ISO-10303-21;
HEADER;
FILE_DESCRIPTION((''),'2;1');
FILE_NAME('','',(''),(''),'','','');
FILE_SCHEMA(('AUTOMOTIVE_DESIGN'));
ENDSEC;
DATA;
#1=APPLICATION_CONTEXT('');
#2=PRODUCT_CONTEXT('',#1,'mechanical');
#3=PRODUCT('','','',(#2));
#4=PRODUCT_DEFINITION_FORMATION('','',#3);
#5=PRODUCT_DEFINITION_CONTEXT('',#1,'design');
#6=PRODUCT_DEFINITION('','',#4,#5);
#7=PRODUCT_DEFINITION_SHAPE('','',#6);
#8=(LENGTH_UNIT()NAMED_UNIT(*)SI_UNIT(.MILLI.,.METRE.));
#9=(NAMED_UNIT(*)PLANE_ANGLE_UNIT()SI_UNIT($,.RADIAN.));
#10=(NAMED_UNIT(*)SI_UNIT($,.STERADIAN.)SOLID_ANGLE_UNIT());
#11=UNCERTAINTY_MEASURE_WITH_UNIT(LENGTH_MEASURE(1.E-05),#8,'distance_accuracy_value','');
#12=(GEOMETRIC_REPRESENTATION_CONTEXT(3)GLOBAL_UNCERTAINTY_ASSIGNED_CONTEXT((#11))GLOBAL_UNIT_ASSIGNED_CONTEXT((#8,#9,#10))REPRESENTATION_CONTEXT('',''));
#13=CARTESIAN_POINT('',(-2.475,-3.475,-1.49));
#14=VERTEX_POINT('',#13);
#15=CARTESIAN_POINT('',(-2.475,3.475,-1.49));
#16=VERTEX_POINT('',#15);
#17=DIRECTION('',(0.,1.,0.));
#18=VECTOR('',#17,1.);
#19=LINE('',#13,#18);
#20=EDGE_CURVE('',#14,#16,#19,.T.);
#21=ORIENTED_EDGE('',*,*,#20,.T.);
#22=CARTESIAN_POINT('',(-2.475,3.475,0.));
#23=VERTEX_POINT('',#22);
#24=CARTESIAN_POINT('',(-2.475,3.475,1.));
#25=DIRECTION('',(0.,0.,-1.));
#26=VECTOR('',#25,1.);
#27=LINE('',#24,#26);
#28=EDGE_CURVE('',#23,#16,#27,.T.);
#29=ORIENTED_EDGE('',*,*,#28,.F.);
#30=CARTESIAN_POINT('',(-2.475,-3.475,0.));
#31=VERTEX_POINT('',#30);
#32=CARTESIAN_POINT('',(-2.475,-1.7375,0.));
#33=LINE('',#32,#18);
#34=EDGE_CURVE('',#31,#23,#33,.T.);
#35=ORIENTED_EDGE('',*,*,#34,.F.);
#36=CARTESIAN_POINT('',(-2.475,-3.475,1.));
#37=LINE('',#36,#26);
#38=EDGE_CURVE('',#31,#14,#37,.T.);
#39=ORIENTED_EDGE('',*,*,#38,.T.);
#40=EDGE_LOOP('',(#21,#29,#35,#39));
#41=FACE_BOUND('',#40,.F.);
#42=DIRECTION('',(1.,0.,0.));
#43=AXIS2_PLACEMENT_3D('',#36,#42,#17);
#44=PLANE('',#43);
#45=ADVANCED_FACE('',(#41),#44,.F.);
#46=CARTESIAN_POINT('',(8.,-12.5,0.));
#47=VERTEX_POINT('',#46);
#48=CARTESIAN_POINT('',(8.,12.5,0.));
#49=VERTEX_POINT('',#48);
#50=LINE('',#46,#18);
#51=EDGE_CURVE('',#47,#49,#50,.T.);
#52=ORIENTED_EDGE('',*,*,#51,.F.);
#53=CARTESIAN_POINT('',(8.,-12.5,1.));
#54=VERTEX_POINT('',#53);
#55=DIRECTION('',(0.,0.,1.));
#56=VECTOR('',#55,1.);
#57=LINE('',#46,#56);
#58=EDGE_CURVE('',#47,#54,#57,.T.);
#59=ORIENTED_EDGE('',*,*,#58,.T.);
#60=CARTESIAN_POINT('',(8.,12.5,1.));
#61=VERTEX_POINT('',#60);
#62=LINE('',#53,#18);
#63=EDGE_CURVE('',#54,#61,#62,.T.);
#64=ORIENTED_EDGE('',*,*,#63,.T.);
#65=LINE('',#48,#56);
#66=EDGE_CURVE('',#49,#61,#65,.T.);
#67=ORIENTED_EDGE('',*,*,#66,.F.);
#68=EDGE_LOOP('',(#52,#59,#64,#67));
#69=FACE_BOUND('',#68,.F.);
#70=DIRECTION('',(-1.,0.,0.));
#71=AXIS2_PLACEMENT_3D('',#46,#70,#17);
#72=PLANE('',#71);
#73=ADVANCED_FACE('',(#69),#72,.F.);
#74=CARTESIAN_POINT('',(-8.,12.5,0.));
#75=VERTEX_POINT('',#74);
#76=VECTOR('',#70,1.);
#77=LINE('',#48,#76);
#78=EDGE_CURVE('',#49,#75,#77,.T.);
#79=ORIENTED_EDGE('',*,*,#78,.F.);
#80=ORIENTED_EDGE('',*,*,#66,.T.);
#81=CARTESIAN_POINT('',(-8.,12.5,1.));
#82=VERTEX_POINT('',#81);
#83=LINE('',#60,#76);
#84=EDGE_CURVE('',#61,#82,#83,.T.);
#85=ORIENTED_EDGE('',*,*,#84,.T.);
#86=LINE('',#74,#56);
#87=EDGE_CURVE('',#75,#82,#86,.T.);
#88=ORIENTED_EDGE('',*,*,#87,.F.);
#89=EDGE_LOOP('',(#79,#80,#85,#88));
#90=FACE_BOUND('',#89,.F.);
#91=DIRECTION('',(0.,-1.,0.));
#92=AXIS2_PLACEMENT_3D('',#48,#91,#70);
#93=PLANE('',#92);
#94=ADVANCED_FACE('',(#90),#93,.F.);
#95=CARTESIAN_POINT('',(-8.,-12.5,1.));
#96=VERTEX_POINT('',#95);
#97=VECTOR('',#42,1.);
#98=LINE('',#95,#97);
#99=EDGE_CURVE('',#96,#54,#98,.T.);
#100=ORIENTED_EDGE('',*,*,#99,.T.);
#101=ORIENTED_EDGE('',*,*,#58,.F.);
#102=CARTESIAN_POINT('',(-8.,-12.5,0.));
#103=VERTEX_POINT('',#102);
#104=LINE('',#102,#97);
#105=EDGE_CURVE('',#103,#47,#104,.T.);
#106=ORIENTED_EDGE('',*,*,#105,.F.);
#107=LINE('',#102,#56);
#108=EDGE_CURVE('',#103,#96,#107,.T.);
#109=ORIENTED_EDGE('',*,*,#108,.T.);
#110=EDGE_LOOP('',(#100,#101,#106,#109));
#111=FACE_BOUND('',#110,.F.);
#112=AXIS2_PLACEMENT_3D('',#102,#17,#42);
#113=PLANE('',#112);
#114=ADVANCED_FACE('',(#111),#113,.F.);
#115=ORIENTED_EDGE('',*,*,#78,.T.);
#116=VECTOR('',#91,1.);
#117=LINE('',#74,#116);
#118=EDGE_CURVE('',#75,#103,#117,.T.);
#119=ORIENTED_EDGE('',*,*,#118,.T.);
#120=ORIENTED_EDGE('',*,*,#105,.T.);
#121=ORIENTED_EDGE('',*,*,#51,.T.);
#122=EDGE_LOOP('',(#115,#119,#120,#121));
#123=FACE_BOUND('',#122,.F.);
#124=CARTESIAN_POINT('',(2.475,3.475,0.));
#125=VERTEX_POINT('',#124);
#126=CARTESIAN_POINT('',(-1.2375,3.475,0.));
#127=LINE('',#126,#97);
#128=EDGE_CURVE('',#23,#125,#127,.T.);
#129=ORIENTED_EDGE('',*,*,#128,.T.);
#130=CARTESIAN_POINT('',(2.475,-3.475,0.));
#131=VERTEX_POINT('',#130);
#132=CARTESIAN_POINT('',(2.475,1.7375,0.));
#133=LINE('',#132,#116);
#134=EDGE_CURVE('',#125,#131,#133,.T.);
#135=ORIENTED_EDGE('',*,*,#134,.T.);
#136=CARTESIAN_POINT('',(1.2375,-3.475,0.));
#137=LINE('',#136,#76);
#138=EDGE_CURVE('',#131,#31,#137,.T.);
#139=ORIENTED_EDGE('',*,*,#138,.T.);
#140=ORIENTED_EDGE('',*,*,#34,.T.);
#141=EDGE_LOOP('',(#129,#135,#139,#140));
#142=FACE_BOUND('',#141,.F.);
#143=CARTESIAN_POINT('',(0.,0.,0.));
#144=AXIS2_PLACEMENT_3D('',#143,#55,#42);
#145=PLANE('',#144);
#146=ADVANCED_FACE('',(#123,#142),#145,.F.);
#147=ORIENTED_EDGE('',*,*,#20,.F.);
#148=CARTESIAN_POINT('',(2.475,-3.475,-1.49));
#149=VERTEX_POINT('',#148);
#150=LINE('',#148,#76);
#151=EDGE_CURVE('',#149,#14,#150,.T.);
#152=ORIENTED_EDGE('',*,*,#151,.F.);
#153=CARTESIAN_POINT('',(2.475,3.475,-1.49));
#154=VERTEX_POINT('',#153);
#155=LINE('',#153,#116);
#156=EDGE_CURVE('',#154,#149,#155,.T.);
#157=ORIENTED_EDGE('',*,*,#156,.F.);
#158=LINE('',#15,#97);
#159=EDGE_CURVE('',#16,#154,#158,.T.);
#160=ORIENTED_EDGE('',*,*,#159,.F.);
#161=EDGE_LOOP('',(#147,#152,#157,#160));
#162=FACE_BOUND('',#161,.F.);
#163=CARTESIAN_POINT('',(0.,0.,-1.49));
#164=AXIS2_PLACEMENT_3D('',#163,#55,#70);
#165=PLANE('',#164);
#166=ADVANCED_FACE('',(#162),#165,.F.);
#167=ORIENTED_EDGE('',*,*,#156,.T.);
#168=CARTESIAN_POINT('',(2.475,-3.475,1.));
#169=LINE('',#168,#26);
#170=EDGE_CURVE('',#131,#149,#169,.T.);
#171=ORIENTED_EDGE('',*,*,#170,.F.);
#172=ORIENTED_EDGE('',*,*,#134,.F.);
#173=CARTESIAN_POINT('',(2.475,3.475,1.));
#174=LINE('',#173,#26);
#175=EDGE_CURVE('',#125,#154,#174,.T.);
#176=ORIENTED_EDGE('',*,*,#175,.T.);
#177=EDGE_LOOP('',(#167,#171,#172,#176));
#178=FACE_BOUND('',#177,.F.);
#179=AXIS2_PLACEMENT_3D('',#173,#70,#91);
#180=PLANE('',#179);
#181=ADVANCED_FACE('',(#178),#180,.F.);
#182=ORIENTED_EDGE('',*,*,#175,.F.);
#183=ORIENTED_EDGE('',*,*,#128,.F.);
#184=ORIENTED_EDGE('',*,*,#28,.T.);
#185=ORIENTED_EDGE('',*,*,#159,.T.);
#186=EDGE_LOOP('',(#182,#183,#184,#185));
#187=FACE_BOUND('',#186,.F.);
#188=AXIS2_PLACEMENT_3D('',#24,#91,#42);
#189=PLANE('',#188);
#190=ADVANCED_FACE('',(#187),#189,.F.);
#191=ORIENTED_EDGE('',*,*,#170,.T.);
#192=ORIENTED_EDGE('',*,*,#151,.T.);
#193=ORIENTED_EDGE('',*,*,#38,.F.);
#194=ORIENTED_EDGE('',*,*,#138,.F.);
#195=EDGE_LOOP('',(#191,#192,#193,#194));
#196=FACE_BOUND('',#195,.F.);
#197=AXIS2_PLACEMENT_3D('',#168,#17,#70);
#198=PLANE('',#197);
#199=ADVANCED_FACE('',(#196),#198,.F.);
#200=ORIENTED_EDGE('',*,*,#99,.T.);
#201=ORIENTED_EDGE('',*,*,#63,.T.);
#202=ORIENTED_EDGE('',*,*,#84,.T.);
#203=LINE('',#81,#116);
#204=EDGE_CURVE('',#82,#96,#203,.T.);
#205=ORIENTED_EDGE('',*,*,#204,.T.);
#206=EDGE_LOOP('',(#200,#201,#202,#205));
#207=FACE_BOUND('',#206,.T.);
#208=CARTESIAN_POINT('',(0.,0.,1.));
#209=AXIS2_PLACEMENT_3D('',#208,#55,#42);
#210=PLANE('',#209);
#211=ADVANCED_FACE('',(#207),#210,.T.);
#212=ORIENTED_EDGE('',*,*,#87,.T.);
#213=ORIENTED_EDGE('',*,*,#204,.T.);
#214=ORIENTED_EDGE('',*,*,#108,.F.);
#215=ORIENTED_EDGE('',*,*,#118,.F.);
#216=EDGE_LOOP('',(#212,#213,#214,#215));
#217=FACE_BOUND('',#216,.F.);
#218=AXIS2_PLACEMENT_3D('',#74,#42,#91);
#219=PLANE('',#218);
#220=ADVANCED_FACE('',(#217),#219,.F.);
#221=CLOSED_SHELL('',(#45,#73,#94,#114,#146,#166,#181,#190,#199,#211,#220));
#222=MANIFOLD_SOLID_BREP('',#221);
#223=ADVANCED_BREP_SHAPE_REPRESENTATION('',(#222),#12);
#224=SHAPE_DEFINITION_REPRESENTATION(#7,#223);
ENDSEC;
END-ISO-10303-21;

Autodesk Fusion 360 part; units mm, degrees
sketch "Esquisse1" plane through (0, 0, 0) normal (0, 0, 1) x (1, 0, 0)
  line L0 (8, 12.5) -> (-8, 12.5)
  line L1 (-8, 12.5) -> (-8, -12.5)
  line L2 (-8, -12.5) -> (8, -12.5)
  line L3 (8, -12.5) -> (8, 12.5)
  line L4 (8, 12.5) -> (-8, -12.5) construction
  line L5 (-8, 12.5) -> (8, -12.5) construction
  dimension "d1" = 16
  dimension "d2" = 25
sketch "Esquisse2" plane through (0, 0, 0) normal (0, 0, 1) x (1, 0, 0)
  line L0 (8, 12.5) -> (-8, 12.5)
  line L1 (-8, 12.5) -> (-8, -12.5)
  line L2 (-8, -12.5) -> (8, -12.5)
  line L3 (8, -12.5) -> (8, 12.5)
  line L4 (8, 12.5) -> (-8, -12.5) construction
  line L5 (-8, 12.5) -> (8, -12.5) construction
  dimension "d5" = 16
  dimension "d6" = 25
extrude "Extrusion2" add sketch "Esquisse2" along normal blind 1
sketch "Esquisse3" plane through (0, 0, 1) normal (0, 0, 1) x (-1, 0, 0)
  line L0 (-8, 12.5) -> (-8, -12.5)
  line L1 (-8, -12.5) -> (8, -12.5)
  line L2 (8, -12.5) -> (8, 12.5)
  line L3 (8, 12.5) -> (-8, 12.5)
  line L4 (-2.475, 3.475) -> (2.475, 3.475)
  line L5 (2.475, 3.475) -> (2.475, -3.475)
  line L6 (2.475, -3.475) -> (-2.475, -3.475)
  line L7 (-2.475, -3.475) -> (-2.475, 3.475)
  line L8 (-2.475, 3.475) -> (2.475, -3.475) construction
  line L9 (2.475, 3.475) -> (-2.475, -3.475) construction
  dimension "d9" = 4.95
  dimension "d10" = 6.95
extrude "Extrusion3" add sketch "Esquisse3" against normal blind 2.49 contours L4 L5 L6 L7
